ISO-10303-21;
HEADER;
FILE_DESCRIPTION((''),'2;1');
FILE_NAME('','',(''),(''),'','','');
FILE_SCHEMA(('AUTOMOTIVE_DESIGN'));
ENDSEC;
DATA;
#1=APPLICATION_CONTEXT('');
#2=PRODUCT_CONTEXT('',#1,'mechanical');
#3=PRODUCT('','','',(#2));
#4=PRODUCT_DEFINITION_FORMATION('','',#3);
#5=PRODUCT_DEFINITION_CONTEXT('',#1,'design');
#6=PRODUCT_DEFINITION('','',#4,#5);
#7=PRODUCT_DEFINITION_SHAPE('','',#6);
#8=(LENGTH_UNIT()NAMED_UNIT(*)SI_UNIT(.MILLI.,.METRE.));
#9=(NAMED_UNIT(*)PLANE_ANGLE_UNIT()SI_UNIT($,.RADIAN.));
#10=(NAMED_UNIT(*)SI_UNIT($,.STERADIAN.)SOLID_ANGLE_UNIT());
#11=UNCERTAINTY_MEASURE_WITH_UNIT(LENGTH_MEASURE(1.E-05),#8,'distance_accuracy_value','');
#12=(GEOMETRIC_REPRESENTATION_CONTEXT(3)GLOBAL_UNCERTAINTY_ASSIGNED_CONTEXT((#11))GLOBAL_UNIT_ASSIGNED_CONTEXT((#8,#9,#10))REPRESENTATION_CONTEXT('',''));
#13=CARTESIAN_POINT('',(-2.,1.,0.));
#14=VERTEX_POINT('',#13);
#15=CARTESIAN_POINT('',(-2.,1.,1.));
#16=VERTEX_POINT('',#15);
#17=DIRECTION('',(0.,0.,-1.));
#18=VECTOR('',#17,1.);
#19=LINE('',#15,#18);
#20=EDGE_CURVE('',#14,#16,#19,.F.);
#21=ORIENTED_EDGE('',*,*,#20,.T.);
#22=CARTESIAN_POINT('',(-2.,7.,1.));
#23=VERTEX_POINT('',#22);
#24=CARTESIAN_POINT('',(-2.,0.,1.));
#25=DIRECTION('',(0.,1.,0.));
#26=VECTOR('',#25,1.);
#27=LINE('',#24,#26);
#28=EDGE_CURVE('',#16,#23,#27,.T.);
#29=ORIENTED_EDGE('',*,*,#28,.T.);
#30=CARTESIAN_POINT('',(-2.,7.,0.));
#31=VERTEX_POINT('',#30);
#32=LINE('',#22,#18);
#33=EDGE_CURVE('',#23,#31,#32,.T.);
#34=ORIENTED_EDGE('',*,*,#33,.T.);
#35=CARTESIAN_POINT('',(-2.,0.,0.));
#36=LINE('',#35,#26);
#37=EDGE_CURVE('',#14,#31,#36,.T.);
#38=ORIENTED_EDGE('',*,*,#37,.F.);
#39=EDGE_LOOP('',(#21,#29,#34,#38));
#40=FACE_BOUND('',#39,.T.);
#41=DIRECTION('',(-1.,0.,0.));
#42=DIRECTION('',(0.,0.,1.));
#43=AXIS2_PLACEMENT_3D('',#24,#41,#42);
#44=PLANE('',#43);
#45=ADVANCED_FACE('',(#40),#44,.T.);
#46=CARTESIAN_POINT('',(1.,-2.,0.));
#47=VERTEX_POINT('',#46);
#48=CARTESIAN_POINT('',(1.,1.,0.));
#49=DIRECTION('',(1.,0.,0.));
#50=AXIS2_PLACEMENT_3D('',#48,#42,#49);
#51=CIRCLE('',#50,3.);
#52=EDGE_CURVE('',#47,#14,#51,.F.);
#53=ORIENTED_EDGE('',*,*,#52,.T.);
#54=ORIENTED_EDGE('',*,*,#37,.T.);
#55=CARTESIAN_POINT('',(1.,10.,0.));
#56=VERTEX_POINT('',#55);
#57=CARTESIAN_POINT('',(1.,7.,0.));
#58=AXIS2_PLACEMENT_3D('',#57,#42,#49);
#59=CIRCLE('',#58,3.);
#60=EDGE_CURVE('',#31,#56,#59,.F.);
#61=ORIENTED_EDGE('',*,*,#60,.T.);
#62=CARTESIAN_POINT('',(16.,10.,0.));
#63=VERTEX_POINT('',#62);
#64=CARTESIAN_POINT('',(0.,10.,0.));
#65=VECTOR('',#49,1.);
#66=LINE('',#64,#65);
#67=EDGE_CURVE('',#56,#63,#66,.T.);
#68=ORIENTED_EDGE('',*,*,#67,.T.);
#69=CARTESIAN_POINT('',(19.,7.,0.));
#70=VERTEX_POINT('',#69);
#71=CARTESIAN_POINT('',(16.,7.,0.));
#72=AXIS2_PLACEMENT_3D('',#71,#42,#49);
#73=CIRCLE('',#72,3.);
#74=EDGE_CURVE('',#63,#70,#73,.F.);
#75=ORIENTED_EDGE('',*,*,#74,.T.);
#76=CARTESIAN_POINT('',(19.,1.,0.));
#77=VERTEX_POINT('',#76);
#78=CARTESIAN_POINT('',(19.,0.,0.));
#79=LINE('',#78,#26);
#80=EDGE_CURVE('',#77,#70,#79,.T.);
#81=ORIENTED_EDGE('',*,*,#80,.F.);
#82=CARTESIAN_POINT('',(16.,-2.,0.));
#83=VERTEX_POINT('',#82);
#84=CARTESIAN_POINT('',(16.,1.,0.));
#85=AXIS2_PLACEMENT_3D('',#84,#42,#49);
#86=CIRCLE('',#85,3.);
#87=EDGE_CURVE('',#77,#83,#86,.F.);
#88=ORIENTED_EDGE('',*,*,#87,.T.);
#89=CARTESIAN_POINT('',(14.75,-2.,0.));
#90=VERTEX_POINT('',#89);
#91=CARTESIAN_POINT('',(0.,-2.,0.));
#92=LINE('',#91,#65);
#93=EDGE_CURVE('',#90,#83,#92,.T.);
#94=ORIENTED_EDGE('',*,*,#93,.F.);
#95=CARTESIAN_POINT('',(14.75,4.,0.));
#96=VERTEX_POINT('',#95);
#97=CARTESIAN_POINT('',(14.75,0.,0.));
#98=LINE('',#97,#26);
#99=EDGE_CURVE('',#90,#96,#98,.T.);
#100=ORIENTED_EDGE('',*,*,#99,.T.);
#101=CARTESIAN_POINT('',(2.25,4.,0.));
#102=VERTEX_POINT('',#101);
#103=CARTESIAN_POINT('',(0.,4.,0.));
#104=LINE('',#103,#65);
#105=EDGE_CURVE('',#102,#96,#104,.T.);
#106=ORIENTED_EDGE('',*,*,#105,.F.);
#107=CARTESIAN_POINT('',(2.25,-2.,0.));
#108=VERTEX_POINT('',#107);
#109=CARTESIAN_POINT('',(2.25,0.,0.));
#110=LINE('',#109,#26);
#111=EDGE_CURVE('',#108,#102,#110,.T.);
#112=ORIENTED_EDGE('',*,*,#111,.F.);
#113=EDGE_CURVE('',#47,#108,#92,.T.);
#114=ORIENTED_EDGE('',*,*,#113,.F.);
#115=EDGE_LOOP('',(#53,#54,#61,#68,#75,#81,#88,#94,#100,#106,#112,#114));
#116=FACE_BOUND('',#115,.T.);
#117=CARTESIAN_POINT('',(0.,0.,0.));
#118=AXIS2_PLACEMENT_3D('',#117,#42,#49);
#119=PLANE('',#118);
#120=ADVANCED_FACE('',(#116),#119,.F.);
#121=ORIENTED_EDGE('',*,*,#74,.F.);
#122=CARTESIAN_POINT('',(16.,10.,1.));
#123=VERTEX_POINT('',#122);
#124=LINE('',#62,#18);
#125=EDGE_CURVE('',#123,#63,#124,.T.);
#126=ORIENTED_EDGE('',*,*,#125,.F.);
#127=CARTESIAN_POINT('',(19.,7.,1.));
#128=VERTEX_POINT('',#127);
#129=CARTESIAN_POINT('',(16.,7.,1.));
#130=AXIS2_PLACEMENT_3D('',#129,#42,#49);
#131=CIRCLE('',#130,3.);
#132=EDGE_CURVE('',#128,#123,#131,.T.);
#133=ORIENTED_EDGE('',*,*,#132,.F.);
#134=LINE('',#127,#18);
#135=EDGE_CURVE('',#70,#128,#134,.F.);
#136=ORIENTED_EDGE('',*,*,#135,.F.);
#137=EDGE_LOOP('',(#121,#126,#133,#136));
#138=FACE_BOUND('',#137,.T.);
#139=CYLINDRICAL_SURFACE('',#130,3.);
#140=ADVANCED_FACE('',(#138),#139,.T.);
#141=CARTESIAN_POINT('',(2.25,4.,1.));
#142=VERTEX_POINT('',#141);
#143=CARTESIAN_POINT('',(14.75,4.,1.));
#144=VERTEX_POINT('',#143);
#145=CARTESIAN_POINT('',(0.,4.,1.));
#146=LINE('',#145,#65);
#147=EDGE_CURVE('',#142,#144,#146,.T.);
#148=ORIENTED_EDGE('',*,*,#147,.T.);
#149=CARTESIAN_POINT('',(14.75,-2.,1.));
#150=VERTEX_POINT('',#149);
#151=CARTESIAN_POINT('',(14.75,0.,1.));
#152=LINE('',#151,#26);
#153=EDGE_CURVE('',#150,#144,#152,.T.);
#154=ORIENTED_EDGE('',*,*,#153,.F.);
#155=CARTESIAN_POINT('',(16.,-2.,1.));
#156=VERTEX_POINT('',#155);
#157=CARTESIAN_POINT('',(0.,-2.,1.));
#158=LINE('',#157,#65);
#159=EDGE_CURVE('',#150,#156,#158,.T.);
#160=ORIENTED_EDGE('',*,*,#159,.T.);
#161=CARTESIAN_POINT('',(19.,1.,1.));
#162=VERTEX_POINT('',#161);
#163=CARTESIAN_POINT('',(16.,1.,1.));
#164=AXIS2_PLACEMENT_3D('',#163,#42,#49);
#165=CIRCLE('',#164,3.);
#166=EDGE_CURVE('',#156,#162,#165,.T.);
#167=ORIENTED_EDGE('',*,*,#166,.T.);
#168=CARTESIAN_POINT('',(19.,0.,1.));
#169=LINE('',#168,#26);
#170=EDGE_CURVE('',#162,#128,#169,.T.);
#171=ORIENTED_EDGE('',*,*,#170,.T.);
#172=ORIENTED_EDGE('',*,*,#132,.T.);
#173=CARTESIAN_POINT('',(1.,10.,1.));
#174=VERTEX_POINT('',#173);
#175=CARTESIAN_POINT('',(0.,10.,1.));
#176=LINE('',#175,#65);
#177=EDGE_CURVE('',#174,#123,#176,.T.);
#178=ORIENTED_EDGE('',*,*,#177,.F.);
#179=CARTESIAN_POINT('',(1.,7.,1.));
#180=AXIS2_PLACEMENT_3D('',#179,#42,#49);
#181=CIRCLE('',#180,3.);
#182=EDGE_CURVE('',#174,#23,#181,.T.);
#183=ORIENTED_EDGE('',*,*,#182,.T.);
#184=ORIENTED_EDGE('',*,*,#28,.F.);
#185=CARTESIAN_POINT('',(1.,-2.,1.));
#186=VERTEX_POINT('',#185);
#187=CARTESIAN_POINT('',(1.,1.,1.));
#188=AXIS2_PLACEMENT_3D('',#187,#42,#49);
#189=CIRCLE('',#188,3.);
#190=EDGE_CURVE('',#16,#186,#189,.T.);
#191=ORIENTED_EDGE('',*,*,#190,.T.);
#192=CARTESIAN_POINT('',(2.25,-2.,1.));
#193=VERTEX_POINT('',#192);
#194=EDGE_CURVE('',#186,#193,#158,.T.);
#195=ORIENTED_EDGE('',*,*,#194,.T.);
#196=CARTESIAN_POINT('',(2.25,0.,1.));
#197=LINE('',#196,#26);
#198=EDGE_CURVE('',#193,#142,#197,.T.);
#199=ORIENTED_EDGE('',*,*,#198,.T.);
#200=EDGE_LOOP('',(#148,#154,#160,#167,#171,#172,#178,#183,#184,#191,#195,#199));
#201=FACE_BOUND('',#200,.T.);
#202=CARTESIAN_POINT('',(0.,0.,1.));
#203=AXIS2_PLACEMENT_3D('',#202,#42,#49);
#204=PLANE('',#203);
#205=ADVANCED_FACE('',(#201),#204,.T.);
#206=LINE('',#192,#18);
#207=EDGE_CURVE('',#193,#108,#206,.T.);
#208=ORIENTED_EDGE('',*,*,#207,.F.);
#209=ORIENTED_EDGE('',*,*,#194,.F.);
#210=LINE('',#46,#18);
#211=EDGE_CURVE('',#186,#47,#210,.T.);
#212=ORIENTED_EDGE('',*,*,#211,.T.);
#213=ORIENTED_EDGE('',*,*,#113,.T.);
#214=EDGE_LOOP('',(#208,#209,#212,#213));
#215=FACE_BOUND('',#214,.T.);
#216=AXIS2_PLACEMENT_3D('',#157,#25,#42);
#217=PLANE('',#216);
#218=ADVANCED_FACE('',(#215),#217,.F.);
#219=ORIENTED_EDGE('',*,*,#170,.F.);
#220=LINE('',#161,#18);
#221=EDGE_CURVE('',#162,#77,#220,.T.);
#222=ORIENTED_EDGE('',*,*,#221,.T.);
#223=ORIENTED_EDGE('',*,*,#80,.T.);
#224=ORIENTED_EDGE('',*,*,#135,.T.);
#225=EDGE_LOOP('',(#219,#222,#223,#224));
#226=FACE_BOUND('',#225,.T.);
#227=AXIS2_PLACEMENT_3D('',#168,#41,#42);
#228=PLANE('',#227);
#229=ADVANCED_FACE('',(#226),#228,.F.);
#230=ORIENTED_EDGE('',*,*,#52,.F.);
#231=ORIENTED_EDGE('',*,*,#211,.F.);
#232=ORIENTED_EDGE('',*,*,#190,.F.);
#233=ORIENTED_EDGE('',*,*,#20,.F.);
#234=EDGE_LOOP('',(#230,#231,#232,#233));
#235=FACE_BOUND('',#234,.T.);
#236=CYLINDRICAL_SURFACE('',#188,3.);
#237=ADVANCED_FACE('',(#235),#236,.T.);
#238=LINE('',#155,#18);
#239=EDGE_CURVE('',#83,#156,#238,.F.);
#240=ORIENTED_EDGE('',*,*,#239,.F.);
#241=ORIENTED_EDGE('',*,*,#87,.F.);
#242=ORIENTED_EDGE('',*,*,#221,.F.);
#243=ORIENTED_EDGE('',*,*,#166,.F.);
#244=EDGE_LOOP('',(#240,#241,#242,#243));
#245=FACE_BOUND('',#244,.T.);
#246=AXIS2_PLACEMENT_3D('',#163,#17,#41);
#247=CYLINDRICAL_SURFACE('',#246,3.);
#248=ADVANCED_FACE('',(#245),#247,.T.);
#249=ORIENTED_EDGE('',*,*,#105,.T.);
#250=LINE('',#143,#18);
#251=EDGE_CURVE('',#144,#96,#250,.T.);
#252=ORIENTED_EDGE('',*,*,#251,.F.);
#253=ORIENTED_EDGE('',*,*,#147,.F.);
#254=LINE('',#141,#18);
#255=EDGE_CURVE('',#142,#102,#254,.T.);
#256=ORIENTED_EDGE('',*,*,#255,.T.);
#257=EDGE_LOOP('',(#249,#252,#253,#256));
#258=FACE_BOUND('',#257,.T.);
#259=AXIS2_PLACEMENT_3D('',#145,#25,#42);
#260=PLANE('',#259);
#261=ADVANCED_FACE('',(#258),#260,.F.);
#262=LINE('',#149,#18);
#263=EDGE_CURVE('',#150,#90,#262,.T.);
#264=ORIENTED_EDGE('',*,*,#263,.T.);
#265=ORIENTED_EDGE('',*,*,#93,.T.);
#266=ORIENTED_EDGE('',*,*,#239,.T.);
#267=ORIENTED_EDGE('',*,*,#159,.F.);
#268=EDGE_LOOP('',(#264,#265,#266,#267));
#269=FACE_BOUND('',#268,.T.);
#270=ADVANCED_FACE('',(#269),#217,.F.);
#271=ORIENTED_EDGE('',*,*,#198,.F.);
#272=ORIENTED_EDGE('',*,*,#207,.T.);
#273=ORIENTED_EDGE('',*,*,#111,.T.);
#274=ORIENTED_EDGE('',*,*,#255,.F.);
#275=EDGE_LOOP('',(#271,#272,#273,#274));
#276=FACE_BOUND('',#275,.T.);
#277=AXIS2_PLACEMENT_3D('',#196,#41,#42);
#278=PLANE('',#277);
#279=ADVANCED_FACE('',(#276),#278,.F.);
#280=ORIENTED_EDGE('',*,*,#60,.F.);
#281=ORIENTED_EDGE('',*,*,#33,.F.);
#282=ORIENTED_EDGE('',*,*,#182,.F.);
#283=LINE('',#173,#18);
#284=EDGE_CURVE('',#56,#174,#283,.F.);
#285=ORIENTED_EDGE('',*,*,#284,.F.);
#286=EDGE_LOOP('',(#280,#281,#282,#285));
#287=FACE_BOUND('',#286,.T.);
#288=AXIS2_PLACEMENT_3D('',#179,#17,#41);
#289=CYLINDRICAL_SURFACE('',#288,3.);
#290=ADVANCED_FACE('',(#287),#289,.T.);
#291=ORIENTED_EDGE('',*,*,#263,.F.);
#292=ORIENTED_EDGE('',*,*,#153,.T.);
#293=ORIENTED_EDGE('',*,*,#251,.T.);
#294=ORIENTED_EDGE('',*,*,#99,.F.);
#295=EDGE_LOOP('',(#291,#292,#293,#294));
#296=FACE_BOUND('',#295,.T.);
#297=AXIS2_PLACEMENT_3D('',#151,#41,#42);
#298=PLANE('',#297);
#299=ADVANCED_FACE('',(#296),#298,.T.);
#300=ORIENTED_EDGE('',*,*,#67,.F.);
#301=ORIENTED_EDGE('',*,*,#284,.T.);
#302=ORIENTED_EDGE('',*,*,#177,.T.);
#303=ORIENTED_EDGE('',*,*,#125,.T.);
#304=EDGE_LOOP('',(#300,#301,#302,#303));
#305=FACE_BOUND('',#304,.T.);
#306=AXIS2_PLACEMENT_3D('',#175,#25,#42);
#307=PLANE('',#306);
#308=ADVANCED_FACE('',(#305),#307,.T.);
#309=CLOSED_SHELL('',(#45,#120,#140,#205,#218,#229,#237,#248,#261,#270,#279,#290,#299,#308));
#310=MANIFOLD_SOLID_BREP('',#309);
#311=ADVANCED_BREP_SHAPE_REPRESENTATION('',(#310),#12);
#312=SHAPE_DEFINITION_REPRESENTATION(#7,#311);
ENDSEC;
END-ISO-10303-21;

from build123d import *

# Parameters (mm, degrees)
BOSS_EXTRUDE1_DEPTH = 1
FILLET2_R           = 3


with BuildPart() as part:
    # Sketch1 → Boss-Extrude1 (new body)
    with BuildSketch(Plane.XY):
        Polygon((19, 10), (8.5, 10), (8.5, 8), (17, 8), (17, 0), (14.75, 0), (14.75, -2), (19, -2), align=None)
        Polygon((-2, 10), (-2, -2), (2.25, -2), (2.25, 0), (0, 0), (0, 8), (8.5, 8), (8.5, 10), align=None)
        Polygon((0, 0), (2.25, 0), (2.25, 1), (1, 1), (1, 7), (8.5, 7), (8.5, 8), (0, 8), align=None)
        Polygon((1, 1), (2.25, 1), (2.25, 4), (8.5, 4), (8.5, 7), (1, 7), align=None)
        Polygon((16, 7), (8.5, 7), (8.5, 4), (14.75, 4), (14.75, 1), (16, 1), align=None)
        Polygon((17, 8), (8.5, 8), (8.5, 7), (16, 7), (16, 1), (14.75, 1), (14.75, 0), (17, 0), align=None)
    extrude(amount=BOSS_EXTRUDE1_DEPTH)

    # Fillet2
    fillet2_edges = [part.edges().sort_by_distance(p)[0] for p in [
        (-2, -2, 0.5),
        (-2, 10, 0.5),
        (19, 10, 0.5),
        (19, -2, 0.5),
    ]]
    fillet(fillet2_edges, radius=FILLET2_R)


solid = part.part
